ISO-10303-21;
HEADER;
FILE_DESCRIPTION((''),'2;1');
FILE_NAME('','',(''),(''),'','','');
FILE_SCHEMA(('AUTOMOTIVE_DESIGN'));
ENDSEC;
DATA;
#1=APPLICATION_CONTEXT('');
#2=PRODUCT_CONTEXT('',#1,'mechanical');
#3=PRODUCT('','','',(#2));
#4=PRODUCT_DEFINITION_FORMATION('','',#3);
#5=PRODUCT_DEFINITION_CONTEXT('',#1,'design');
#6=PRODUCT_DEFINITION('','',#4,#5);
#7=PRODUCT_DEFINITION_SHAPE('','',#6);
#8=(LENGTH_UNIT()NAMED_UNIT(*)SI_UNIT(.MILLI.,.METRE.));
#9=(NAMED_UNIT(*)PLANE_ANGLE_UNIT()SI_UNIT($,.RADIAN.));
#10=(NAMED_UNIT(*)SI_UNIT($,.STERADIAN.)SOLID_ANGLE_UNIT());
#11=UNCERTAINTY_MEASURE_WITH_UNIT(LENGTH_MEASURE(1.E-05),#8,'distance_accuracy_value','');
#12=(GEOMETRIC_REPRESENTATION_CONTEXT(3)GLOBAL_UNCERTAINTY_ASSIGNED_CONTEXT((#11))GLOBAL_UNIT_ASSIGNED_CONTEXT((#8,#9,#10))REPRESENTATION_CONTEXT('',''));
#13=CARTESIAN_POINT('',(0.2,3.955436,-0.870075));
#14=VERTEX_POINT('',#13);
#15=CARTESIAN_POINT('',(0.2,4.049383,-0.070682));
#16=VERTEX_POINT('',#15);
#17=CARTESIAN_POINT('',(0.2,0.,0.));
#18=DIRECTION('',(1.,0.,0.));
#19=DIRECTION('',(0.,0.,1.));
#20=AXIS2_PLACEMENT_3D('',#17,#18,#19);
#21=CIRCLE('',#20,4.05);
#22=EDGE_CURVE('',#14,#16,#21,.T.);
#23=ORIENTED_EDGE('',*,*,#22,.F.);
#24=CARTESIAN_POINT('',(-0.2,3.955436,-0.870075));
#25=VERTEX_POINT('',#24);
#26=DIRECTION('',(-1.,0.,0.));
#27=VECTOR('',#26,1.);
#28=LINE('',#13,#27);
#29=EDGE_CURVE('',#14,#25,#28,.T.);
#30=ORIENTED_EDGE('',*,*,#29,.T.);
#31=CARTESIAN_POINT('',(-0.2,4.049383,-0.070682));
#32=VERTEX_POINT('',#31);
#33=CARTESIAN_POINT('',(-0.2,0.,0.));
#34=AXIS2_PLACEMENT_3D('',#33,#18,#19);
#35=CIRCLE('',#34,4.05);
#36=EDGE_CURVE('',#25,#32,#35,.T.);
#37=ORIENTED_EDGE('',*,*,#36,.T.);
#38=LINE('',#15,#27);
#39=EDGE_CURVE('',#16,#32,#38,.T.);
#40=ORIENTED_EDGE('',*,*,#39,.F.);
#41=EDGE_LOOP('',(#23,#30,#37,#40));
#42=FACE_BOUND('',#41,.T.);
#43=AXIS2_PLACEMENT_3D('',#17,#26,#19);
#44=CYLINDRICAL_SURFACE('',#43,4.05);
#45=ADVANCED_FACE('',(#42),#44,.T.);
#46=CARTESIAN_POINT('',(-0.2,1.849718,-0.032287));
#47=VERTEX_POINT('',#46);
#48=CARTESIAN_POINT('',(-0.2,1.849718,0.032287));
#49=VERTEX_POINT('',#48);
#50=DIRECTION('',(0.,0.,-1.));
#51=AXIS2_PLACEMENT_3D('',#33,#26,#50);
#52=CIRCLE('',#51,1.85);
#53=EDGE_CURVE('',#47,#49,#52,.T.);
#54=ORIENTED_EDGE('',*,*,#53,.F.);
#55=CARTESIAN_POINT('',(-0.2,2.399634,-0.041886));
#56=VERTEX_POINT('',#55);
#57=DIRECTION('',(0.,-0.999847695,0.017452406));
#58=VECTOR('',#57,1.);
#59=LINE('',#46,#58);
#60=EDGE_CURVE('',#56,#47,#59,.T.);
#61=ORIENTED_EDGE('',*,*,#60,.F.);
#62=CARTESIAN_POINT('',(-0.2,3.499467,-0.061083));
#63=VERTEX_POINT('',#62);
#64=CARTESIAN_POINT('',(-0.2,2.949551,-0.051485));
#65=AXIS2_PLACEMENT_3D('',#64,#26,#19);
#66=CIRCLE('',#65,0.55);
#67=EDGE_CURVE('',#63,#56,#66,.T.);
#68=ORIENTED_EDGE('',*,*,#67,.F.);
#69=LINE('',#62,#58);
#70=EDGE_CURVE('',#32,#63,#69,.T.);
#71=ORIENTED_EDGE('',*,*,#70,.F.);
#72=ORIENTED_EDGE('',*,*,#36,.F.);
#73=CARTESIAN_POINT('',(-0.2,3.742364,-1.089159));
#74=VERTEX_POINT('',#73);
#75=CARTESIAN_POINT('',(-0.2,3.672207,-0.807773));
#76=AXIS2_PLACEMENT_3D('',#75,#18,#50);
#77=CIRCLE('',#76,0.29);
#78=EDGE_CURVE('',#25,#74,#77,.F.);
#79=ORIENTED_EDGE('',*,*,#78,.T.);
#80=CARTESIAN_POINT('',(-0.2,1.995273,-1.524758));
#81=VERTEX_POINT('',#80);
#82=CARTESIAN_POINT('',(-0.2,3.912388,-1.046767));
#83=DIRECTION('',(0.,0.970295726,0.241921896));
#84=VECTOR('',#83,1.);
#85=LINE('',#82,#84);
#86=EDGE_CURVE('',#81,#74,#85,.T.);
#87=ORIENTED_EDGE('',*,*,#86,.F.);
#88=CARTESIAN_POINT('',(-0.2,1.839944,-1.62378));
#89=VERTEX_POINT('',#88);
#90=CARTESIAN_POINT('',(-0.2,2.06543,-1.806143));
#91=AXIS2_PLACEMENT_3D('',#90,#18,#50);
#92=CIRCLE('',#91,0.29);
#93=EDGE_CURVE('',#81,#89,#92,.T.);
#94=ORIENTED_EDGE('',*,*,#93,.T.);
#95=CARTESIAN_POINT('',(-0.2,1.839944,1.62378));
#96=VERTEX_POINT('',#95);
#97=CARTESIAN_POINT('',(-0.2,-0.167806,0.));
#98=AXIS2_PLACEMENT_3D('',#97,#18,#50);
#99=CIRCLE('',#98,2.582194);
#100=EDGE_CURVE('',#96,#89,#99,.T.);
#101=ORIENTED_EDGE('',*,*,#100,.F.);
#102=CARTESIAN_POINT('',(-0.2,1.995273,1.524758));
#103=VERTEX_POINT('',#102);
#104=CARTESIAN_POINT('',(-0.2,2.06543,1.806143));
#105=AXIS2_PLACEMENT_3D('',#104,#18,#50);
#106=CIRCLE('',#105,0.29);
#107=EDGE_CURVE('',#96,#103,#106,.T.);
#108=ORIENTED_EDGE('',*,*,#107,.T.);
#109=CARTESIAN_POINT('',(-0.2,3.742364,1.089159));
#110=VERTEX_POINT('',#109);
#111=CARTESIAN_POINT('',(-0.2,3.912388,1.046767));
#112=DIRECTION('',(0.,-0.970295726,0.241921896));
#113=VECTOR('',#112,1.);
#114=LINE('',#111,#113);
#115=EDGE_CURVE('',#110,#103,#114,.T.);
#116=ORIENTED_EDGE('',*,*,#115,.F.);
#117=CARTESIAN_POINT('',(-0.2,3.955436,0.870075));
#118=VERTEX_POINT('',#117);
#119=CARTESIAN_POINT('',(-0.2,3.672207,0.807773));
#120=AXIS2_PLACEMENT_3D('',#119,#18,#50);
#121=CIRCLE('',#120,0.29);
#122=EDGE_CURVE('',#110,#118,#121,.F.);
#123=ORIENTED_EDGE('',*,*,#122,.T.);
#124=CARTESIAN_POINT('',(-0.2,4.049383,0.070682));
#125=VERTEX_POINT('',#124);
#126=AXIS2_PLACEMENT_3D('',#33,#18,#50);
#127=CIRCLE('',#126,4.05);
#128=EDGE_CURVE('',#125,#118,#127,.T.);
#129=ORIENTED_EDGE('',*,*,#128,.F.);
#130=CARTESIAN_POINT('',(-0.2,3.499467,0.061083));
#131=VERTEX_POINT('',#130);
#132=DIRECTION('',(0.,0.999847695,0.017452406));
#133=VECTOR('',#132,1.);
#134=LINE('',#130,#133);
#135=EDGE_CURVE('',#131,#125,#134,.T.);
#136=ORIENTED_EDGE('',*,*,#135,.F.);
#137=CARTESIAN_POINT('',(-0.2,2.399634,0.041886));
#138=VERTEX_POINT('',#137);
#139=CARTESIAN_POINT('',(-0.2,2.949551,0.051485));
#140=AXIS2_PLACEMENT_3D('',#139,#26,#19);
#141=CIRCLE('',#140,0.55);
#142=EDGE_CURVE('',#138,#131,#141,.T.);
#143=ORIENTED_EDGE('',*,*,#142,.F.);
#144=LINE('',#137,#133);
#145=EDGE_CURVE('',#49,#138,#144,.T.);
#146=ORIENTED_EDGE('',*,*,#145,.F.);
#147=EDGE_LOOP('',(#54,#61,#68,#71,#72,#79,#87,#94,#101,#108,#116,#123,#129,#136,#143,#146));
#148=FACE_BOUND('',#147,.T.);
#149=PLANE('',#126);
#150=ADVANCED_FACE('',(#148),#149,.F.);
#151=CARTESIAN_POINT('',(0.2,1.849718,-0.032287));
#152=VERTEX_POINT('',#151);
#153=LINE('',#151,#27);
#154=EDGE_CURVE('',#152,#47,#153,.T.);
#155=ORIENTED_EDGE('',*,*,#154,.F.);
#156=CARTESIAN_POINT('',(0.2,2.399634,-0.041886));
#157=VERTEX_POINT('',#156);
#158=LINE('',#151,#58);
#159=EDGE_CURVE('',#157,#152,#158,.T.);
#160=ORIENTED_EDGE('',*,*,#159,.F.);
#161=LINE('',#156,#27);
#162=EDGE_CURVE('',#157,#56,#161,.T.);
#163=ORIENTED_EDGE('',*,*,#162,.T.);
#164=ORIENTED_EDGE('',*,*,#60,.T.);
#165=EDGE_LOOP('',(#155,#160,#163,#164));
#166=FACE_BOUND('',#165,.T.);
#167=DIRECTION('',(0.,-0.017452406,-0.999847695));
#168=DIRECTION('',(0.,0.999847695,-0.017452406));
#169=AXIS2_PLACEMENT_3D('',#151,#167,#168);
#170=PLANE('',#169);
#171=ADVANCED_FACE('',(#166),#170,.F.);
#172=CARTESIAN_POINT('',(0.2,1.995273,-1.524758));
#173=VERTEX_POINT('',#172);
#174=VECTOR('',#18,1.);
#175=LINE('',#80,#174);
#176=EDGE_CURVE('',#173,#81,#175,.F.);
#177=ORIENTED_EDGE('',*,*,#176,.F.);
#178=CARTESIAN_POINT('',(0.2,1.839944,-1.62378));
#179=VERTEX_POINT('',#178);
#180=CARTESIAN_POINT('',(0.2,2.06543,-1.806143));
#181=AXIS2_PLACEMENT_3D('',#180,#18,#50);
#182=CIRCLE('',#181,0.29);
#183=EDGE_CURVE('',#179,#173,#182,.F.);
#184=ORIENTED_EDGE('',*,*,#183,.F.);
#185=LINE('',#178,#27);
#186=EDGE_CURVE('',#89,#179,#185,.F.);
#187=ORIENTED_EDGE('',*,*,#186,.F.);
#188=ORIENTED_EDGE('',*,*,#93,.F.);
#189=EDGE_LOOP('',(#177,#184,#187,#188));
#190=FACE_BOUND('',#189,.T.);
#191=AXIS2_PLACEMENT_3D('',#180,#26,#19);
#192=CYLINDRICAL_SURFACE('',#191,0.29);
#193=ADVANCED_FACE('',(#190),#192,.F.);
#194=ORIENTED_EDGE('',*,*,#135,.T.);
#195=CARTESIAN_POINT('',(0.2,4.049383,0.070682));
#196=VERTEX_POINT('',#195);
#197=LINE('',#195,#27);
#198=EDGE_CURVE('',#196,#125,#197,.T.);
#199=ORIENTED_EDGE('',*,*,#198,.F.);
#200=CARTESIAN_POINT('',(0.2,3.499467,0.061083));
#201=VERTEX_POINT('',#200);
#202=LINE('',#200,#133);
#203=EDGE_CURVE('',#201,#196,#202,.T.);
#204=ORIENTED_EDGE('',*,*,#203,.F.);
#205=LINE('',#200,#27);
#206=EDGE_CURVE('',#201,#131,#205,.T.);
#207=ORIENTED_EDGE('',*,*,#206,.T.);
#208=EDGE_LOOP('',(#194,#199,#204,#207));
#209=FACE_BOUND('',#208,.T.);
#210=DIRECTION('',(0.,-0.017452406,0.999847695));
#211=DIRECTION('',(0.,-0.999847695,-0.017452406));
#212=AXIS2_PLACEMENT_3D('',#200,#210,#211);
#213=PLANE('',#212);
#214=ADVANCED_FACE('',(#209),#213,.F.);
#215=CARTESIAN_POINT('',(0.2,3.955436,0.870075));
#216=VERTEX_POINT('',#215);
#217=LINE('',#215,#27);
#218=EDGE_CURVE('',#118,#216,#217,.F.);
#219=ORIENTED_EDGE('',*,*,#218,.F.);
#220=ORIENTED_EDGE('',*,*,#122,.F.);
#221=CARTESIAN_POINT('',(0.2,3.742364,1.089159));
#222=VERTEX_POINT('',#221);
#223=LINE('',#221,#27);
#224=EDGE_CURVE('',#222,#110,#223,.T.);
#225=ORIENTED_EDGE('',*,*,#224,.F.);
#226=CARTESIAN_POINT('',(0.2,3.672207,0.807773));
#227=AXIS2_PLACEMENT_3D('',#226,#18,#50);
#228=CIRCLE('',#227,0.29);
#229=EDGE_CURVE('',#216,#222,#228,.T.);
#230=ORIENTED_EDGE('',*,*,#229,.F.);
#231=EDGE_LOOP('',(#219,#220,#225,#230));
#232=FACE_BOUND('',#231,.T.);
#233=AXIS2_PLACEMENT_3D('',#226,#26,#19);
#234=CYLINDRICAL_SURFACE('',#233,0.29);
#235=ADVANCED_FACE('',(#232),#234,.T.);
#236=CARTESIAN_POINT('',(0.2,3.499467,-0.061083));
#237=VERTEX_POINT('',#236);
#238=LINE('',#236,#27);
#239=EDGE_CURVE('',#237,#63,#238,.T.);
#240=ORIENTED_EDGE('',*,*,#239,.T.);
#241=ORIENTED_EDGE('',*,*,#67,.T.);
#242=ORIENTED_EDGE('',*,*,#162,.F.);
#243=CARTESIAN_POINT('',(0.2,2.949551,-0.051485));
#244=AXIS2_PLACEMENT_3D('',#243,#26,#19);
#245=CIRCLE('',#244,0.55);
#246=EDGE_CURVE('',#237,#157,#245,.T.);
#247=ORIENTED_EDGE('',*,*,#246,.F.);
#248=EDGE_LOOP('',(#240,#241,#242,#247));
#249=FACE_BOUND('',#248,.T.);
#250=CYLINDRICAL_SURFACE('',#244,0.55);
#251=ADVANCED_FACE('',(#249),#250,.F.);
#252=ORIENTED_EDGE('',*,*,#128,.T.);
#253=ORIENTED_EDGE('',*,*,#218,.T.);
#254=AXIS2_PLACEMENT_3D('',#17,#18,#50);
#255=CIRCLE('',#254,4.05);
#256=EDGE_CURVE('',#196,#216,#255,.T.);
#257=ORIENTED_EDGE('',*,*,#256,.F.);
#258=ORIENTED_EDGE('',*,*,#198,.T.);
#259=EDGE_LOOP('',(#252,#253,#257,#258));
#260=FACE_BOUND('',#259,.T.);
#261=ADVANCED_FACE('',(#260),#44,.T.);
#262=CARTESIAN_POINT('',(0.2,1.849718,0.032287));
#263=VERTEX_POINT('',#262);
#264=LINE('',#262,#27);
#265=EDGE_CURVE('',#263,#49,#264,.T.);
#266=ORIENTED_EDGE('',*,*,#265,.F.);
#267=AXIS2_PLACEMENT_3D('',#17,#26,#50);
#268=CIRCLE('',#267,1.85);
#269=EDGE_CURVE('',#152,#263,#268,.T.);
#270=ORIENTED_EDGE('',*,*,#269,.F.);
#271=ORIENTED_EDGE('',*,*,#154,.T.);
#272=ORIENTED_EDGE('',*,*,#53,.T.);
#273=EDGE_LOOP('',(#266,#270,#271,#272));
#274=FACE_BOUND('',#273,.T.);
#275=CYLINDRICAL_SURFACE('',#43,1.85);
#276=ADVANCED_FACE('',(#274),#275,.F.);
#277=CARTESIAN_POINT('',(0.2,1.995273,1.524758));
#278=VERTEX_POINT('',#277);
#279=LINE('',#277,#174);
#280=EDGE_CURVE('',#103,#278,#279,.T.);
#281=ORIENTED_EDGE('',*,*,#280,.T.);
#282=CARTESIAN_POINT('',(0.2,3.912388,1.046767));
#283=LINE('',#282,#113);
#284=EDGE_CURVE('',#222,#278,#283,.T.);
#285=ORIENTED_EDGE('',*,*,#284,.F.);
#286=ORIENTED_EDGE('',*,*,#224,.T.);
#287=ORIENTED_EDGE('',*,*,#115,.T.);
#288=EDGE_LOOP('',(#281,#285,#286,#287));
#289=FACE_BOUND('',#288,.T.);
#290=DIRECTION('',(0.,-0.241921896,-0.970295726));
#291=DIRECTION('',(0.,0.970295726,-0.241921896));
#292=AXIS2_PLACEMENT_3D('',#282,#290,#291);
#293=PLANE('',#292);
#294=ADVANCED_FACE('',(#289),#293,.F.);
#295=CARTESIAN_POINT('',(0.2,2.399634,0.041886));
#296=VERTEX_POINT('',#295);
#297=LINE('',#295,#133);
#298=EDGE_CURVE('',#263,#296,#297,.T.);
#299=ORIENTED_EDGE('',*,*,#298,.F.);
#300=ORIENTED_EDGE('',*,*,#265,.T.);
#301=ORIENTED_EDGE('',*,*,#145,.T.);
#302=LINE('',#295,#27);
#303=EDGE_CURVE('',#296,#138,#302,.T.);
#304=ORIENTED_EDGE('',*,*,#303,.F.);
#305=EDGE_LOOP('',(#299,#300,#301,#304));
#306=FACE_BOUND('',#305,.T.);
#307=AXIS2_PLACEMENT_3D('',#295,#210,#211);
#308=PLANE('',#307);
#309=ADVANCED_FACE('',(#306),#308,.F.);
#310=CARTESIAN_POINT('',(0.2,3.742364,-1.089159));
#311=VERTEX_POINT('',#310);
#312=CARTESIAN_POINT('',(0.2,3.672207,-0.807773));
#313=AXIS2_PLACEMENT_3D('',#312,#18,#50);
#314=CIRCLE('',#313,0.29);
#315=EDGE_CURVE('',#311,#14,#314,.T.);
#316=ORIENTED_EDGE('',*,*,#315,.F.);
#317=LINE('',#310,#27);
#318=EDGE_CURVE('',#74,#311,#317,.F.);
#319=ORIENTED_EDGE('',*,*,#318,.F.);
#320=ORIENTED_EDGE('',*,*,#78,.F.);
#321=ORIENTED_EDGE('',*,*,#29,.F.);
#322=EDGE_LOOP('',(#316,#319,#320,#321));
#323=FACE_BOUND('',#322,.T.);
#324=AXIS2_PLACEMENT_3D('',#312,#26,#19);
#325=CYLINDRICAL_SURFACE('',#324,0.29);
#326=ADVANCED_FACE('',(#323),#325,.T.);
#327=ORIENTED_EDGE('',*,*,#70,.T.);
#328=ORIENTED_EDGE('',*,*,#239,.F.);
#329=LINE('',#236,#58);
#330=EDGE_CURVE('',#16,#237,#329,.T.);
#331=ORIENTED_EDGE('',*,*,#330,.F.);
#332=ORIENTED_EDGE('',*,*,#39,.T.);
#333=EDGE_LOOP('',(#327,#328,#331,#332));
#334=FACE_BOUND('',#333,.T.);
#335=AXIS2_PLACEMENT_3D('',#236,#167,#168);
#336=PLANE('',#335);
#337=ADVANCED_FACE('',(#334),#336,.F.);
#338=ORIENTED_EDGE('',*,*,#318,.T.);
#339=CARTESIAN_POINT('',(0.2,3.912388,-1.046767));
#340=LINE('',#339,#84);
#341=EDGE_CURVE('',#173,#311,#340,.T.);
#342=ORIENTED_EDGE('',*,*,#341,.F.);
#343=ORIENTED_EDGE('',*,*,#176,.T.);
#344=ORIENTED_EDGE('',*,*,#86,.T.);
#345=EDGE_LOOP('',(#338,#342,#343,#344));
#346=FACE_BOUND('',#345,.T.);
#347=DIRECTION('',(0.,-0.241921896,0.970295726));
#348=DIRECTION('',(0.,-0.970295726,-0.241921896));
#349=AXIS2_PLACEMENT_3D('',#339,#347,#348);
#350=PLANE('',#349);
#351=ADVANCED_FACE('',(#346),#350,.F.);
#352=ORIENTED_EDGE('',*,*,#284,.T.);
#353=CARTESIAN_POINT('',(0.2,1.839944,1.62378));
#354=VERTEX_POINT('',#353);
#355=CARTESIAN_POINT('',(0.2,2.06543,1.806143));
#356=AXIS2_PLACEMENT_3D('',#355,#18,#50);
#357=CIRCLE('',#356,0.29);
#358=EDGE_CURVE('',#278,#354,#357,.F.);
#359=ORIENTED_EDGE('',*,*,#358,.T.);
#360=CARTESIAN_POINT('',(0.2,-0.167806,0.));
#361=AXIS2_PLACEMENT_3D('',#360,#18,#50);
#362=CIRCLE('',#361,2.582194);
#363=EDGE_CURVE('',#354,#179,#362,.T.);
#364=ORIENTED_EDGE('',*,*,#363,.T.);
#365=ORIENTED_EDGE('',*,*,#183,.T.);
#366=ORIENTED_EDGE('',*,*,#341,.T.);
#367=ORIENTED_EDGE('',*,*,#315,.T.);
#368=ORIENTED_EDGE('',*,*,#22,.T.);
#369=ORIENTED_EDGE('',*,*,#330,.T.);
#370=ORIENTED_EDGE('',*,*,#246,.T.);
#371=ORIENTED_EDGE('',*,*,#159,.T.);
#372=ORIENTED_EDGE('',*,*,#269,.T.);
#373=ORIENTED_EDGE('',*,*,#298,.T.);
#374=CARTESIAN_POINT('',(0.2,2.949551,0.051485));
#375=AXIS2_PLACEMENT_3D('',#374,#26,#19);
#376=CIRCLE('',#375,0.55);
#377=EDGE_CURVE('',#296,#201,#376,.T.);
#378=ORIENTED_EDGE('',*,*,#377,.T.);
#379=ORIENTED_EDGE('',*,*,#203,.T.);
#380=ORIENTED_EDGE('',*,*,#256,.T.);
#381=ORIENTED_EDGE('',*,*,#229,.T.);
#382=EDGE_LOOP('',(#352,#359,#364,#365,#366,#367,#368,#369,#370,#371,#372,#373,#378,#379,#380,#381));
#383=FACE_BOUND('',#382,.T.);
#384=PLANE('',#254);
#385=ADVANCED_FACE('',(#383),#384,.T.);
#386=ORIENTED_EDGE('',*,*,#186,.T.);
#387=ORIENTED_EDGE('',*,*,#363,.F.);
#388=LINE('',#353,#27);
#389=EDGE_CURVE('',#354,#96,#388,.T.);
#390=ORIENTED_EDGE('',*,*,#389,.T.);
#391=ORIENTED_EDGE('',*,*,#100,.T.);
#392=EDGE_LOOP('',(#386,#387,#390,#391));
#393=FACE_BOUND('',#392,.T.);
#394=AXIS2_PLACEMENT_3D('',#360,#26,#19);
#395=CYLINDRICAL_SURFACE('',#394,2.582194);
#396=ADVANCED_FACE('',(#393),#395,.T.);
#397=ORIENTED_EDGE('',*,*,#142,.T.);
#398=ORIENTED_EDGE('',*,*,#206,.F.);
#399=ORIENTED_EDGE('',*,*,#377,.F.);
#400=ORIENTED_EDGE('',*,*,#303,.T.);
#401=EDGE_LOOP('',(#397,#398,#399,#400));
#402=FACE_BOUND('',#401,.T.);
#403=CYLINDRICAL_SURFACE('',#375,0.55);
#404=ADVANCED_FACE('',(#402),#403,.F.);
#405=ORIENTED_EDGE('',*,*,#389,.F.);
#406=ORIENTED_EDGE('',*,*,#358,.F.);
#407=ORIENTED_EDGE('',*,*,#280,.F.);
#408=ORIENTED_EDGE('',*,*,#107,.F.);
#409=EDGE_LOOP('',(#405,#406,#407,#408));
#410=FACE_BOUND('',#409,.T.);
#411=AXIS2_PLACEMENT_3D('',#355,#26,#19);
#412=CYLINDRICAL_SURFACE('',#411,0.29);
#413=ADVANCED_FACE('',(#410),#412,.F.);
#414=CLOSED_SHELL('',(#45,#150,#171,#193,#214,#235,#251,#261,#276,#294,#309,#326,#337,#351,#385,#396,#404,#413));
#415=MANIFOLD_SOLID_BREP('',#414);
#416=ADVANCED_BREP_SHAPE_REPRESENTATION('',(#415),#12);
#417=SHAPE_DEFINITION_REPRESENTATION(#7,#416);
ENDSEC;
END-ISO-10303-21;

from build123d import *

# Parameters (mm, degrees)
EXTRUDE1_DEPTH = 0.2
FILLET1_R      = 0.29


with BuildPart() as part:
    # Sketch1 → Extrude1 (new body, symmetric)
    with BuildSketch(Plane(origin=(0, 0, 0), x_dir=(0, 0, -1), z_dir=(1, 0, 0))):
        with BuildLine():
            Line((0.032286952, 1.849718236), (0.041885775, 2.399634468))
            ThreePointArc((0.041885775, 2.399634468), (0.601400831, 2.939951877), (0.061083423, 3.499466933))
            Line((0.061083423, 3.499466933), (0.070682246, 4.049383165))
            ThreePointArc((0.070682246, 4.049383165), (0.562907746, 4.010690074), (1.046766998, 3.912387871))
            Line((1.046766998, 3.912387871), (1.548955628, 1.898219287))
            ThreePointArc((1.548955628, 1.898219287), (0, -2.75), (-1.548955628, 1.898219287))
            Line((-1.548955628, 1.898219287), (-1.046766998, 3.912387871))
            ThreePointArc((-1.046766998, 3.912387871), (-0.562907746, 4.010690074), (-0.070682246, 4.049383165))
            Line((-0.070682246, 4.049383165), (-0.061083423, 3.499466933))
            ThreePointArc((-0.061083423, 3.499466933), (-0.601400831, 2.939951877), (-0.041885775, 2.399634468))
            Line((-0.041885775, 2.399634468), (-0.032286952, 1.849718236))
            ThreePointArc((-0.032286952, 1.849718236), (0, -1.85), (0.032286952, 1.849718236))
        make_face()
    extrude(amount=EXTRUDE1_DEPTH, both=True)

    # Fillet1
    fillet1_edges = [part.edges().sort_by_distance(p)[0] for p in [
        (0, 3.912387871, -1.046766998),
        (0, 1.898219287, -1.548955628),
        (0, 1.898219287, 1.548955628),
        (0, 3.912387871, 1.046766998),
    ]]
    fillet(fillet1_edges, radius=FILLET1_R)


solid = part.part
